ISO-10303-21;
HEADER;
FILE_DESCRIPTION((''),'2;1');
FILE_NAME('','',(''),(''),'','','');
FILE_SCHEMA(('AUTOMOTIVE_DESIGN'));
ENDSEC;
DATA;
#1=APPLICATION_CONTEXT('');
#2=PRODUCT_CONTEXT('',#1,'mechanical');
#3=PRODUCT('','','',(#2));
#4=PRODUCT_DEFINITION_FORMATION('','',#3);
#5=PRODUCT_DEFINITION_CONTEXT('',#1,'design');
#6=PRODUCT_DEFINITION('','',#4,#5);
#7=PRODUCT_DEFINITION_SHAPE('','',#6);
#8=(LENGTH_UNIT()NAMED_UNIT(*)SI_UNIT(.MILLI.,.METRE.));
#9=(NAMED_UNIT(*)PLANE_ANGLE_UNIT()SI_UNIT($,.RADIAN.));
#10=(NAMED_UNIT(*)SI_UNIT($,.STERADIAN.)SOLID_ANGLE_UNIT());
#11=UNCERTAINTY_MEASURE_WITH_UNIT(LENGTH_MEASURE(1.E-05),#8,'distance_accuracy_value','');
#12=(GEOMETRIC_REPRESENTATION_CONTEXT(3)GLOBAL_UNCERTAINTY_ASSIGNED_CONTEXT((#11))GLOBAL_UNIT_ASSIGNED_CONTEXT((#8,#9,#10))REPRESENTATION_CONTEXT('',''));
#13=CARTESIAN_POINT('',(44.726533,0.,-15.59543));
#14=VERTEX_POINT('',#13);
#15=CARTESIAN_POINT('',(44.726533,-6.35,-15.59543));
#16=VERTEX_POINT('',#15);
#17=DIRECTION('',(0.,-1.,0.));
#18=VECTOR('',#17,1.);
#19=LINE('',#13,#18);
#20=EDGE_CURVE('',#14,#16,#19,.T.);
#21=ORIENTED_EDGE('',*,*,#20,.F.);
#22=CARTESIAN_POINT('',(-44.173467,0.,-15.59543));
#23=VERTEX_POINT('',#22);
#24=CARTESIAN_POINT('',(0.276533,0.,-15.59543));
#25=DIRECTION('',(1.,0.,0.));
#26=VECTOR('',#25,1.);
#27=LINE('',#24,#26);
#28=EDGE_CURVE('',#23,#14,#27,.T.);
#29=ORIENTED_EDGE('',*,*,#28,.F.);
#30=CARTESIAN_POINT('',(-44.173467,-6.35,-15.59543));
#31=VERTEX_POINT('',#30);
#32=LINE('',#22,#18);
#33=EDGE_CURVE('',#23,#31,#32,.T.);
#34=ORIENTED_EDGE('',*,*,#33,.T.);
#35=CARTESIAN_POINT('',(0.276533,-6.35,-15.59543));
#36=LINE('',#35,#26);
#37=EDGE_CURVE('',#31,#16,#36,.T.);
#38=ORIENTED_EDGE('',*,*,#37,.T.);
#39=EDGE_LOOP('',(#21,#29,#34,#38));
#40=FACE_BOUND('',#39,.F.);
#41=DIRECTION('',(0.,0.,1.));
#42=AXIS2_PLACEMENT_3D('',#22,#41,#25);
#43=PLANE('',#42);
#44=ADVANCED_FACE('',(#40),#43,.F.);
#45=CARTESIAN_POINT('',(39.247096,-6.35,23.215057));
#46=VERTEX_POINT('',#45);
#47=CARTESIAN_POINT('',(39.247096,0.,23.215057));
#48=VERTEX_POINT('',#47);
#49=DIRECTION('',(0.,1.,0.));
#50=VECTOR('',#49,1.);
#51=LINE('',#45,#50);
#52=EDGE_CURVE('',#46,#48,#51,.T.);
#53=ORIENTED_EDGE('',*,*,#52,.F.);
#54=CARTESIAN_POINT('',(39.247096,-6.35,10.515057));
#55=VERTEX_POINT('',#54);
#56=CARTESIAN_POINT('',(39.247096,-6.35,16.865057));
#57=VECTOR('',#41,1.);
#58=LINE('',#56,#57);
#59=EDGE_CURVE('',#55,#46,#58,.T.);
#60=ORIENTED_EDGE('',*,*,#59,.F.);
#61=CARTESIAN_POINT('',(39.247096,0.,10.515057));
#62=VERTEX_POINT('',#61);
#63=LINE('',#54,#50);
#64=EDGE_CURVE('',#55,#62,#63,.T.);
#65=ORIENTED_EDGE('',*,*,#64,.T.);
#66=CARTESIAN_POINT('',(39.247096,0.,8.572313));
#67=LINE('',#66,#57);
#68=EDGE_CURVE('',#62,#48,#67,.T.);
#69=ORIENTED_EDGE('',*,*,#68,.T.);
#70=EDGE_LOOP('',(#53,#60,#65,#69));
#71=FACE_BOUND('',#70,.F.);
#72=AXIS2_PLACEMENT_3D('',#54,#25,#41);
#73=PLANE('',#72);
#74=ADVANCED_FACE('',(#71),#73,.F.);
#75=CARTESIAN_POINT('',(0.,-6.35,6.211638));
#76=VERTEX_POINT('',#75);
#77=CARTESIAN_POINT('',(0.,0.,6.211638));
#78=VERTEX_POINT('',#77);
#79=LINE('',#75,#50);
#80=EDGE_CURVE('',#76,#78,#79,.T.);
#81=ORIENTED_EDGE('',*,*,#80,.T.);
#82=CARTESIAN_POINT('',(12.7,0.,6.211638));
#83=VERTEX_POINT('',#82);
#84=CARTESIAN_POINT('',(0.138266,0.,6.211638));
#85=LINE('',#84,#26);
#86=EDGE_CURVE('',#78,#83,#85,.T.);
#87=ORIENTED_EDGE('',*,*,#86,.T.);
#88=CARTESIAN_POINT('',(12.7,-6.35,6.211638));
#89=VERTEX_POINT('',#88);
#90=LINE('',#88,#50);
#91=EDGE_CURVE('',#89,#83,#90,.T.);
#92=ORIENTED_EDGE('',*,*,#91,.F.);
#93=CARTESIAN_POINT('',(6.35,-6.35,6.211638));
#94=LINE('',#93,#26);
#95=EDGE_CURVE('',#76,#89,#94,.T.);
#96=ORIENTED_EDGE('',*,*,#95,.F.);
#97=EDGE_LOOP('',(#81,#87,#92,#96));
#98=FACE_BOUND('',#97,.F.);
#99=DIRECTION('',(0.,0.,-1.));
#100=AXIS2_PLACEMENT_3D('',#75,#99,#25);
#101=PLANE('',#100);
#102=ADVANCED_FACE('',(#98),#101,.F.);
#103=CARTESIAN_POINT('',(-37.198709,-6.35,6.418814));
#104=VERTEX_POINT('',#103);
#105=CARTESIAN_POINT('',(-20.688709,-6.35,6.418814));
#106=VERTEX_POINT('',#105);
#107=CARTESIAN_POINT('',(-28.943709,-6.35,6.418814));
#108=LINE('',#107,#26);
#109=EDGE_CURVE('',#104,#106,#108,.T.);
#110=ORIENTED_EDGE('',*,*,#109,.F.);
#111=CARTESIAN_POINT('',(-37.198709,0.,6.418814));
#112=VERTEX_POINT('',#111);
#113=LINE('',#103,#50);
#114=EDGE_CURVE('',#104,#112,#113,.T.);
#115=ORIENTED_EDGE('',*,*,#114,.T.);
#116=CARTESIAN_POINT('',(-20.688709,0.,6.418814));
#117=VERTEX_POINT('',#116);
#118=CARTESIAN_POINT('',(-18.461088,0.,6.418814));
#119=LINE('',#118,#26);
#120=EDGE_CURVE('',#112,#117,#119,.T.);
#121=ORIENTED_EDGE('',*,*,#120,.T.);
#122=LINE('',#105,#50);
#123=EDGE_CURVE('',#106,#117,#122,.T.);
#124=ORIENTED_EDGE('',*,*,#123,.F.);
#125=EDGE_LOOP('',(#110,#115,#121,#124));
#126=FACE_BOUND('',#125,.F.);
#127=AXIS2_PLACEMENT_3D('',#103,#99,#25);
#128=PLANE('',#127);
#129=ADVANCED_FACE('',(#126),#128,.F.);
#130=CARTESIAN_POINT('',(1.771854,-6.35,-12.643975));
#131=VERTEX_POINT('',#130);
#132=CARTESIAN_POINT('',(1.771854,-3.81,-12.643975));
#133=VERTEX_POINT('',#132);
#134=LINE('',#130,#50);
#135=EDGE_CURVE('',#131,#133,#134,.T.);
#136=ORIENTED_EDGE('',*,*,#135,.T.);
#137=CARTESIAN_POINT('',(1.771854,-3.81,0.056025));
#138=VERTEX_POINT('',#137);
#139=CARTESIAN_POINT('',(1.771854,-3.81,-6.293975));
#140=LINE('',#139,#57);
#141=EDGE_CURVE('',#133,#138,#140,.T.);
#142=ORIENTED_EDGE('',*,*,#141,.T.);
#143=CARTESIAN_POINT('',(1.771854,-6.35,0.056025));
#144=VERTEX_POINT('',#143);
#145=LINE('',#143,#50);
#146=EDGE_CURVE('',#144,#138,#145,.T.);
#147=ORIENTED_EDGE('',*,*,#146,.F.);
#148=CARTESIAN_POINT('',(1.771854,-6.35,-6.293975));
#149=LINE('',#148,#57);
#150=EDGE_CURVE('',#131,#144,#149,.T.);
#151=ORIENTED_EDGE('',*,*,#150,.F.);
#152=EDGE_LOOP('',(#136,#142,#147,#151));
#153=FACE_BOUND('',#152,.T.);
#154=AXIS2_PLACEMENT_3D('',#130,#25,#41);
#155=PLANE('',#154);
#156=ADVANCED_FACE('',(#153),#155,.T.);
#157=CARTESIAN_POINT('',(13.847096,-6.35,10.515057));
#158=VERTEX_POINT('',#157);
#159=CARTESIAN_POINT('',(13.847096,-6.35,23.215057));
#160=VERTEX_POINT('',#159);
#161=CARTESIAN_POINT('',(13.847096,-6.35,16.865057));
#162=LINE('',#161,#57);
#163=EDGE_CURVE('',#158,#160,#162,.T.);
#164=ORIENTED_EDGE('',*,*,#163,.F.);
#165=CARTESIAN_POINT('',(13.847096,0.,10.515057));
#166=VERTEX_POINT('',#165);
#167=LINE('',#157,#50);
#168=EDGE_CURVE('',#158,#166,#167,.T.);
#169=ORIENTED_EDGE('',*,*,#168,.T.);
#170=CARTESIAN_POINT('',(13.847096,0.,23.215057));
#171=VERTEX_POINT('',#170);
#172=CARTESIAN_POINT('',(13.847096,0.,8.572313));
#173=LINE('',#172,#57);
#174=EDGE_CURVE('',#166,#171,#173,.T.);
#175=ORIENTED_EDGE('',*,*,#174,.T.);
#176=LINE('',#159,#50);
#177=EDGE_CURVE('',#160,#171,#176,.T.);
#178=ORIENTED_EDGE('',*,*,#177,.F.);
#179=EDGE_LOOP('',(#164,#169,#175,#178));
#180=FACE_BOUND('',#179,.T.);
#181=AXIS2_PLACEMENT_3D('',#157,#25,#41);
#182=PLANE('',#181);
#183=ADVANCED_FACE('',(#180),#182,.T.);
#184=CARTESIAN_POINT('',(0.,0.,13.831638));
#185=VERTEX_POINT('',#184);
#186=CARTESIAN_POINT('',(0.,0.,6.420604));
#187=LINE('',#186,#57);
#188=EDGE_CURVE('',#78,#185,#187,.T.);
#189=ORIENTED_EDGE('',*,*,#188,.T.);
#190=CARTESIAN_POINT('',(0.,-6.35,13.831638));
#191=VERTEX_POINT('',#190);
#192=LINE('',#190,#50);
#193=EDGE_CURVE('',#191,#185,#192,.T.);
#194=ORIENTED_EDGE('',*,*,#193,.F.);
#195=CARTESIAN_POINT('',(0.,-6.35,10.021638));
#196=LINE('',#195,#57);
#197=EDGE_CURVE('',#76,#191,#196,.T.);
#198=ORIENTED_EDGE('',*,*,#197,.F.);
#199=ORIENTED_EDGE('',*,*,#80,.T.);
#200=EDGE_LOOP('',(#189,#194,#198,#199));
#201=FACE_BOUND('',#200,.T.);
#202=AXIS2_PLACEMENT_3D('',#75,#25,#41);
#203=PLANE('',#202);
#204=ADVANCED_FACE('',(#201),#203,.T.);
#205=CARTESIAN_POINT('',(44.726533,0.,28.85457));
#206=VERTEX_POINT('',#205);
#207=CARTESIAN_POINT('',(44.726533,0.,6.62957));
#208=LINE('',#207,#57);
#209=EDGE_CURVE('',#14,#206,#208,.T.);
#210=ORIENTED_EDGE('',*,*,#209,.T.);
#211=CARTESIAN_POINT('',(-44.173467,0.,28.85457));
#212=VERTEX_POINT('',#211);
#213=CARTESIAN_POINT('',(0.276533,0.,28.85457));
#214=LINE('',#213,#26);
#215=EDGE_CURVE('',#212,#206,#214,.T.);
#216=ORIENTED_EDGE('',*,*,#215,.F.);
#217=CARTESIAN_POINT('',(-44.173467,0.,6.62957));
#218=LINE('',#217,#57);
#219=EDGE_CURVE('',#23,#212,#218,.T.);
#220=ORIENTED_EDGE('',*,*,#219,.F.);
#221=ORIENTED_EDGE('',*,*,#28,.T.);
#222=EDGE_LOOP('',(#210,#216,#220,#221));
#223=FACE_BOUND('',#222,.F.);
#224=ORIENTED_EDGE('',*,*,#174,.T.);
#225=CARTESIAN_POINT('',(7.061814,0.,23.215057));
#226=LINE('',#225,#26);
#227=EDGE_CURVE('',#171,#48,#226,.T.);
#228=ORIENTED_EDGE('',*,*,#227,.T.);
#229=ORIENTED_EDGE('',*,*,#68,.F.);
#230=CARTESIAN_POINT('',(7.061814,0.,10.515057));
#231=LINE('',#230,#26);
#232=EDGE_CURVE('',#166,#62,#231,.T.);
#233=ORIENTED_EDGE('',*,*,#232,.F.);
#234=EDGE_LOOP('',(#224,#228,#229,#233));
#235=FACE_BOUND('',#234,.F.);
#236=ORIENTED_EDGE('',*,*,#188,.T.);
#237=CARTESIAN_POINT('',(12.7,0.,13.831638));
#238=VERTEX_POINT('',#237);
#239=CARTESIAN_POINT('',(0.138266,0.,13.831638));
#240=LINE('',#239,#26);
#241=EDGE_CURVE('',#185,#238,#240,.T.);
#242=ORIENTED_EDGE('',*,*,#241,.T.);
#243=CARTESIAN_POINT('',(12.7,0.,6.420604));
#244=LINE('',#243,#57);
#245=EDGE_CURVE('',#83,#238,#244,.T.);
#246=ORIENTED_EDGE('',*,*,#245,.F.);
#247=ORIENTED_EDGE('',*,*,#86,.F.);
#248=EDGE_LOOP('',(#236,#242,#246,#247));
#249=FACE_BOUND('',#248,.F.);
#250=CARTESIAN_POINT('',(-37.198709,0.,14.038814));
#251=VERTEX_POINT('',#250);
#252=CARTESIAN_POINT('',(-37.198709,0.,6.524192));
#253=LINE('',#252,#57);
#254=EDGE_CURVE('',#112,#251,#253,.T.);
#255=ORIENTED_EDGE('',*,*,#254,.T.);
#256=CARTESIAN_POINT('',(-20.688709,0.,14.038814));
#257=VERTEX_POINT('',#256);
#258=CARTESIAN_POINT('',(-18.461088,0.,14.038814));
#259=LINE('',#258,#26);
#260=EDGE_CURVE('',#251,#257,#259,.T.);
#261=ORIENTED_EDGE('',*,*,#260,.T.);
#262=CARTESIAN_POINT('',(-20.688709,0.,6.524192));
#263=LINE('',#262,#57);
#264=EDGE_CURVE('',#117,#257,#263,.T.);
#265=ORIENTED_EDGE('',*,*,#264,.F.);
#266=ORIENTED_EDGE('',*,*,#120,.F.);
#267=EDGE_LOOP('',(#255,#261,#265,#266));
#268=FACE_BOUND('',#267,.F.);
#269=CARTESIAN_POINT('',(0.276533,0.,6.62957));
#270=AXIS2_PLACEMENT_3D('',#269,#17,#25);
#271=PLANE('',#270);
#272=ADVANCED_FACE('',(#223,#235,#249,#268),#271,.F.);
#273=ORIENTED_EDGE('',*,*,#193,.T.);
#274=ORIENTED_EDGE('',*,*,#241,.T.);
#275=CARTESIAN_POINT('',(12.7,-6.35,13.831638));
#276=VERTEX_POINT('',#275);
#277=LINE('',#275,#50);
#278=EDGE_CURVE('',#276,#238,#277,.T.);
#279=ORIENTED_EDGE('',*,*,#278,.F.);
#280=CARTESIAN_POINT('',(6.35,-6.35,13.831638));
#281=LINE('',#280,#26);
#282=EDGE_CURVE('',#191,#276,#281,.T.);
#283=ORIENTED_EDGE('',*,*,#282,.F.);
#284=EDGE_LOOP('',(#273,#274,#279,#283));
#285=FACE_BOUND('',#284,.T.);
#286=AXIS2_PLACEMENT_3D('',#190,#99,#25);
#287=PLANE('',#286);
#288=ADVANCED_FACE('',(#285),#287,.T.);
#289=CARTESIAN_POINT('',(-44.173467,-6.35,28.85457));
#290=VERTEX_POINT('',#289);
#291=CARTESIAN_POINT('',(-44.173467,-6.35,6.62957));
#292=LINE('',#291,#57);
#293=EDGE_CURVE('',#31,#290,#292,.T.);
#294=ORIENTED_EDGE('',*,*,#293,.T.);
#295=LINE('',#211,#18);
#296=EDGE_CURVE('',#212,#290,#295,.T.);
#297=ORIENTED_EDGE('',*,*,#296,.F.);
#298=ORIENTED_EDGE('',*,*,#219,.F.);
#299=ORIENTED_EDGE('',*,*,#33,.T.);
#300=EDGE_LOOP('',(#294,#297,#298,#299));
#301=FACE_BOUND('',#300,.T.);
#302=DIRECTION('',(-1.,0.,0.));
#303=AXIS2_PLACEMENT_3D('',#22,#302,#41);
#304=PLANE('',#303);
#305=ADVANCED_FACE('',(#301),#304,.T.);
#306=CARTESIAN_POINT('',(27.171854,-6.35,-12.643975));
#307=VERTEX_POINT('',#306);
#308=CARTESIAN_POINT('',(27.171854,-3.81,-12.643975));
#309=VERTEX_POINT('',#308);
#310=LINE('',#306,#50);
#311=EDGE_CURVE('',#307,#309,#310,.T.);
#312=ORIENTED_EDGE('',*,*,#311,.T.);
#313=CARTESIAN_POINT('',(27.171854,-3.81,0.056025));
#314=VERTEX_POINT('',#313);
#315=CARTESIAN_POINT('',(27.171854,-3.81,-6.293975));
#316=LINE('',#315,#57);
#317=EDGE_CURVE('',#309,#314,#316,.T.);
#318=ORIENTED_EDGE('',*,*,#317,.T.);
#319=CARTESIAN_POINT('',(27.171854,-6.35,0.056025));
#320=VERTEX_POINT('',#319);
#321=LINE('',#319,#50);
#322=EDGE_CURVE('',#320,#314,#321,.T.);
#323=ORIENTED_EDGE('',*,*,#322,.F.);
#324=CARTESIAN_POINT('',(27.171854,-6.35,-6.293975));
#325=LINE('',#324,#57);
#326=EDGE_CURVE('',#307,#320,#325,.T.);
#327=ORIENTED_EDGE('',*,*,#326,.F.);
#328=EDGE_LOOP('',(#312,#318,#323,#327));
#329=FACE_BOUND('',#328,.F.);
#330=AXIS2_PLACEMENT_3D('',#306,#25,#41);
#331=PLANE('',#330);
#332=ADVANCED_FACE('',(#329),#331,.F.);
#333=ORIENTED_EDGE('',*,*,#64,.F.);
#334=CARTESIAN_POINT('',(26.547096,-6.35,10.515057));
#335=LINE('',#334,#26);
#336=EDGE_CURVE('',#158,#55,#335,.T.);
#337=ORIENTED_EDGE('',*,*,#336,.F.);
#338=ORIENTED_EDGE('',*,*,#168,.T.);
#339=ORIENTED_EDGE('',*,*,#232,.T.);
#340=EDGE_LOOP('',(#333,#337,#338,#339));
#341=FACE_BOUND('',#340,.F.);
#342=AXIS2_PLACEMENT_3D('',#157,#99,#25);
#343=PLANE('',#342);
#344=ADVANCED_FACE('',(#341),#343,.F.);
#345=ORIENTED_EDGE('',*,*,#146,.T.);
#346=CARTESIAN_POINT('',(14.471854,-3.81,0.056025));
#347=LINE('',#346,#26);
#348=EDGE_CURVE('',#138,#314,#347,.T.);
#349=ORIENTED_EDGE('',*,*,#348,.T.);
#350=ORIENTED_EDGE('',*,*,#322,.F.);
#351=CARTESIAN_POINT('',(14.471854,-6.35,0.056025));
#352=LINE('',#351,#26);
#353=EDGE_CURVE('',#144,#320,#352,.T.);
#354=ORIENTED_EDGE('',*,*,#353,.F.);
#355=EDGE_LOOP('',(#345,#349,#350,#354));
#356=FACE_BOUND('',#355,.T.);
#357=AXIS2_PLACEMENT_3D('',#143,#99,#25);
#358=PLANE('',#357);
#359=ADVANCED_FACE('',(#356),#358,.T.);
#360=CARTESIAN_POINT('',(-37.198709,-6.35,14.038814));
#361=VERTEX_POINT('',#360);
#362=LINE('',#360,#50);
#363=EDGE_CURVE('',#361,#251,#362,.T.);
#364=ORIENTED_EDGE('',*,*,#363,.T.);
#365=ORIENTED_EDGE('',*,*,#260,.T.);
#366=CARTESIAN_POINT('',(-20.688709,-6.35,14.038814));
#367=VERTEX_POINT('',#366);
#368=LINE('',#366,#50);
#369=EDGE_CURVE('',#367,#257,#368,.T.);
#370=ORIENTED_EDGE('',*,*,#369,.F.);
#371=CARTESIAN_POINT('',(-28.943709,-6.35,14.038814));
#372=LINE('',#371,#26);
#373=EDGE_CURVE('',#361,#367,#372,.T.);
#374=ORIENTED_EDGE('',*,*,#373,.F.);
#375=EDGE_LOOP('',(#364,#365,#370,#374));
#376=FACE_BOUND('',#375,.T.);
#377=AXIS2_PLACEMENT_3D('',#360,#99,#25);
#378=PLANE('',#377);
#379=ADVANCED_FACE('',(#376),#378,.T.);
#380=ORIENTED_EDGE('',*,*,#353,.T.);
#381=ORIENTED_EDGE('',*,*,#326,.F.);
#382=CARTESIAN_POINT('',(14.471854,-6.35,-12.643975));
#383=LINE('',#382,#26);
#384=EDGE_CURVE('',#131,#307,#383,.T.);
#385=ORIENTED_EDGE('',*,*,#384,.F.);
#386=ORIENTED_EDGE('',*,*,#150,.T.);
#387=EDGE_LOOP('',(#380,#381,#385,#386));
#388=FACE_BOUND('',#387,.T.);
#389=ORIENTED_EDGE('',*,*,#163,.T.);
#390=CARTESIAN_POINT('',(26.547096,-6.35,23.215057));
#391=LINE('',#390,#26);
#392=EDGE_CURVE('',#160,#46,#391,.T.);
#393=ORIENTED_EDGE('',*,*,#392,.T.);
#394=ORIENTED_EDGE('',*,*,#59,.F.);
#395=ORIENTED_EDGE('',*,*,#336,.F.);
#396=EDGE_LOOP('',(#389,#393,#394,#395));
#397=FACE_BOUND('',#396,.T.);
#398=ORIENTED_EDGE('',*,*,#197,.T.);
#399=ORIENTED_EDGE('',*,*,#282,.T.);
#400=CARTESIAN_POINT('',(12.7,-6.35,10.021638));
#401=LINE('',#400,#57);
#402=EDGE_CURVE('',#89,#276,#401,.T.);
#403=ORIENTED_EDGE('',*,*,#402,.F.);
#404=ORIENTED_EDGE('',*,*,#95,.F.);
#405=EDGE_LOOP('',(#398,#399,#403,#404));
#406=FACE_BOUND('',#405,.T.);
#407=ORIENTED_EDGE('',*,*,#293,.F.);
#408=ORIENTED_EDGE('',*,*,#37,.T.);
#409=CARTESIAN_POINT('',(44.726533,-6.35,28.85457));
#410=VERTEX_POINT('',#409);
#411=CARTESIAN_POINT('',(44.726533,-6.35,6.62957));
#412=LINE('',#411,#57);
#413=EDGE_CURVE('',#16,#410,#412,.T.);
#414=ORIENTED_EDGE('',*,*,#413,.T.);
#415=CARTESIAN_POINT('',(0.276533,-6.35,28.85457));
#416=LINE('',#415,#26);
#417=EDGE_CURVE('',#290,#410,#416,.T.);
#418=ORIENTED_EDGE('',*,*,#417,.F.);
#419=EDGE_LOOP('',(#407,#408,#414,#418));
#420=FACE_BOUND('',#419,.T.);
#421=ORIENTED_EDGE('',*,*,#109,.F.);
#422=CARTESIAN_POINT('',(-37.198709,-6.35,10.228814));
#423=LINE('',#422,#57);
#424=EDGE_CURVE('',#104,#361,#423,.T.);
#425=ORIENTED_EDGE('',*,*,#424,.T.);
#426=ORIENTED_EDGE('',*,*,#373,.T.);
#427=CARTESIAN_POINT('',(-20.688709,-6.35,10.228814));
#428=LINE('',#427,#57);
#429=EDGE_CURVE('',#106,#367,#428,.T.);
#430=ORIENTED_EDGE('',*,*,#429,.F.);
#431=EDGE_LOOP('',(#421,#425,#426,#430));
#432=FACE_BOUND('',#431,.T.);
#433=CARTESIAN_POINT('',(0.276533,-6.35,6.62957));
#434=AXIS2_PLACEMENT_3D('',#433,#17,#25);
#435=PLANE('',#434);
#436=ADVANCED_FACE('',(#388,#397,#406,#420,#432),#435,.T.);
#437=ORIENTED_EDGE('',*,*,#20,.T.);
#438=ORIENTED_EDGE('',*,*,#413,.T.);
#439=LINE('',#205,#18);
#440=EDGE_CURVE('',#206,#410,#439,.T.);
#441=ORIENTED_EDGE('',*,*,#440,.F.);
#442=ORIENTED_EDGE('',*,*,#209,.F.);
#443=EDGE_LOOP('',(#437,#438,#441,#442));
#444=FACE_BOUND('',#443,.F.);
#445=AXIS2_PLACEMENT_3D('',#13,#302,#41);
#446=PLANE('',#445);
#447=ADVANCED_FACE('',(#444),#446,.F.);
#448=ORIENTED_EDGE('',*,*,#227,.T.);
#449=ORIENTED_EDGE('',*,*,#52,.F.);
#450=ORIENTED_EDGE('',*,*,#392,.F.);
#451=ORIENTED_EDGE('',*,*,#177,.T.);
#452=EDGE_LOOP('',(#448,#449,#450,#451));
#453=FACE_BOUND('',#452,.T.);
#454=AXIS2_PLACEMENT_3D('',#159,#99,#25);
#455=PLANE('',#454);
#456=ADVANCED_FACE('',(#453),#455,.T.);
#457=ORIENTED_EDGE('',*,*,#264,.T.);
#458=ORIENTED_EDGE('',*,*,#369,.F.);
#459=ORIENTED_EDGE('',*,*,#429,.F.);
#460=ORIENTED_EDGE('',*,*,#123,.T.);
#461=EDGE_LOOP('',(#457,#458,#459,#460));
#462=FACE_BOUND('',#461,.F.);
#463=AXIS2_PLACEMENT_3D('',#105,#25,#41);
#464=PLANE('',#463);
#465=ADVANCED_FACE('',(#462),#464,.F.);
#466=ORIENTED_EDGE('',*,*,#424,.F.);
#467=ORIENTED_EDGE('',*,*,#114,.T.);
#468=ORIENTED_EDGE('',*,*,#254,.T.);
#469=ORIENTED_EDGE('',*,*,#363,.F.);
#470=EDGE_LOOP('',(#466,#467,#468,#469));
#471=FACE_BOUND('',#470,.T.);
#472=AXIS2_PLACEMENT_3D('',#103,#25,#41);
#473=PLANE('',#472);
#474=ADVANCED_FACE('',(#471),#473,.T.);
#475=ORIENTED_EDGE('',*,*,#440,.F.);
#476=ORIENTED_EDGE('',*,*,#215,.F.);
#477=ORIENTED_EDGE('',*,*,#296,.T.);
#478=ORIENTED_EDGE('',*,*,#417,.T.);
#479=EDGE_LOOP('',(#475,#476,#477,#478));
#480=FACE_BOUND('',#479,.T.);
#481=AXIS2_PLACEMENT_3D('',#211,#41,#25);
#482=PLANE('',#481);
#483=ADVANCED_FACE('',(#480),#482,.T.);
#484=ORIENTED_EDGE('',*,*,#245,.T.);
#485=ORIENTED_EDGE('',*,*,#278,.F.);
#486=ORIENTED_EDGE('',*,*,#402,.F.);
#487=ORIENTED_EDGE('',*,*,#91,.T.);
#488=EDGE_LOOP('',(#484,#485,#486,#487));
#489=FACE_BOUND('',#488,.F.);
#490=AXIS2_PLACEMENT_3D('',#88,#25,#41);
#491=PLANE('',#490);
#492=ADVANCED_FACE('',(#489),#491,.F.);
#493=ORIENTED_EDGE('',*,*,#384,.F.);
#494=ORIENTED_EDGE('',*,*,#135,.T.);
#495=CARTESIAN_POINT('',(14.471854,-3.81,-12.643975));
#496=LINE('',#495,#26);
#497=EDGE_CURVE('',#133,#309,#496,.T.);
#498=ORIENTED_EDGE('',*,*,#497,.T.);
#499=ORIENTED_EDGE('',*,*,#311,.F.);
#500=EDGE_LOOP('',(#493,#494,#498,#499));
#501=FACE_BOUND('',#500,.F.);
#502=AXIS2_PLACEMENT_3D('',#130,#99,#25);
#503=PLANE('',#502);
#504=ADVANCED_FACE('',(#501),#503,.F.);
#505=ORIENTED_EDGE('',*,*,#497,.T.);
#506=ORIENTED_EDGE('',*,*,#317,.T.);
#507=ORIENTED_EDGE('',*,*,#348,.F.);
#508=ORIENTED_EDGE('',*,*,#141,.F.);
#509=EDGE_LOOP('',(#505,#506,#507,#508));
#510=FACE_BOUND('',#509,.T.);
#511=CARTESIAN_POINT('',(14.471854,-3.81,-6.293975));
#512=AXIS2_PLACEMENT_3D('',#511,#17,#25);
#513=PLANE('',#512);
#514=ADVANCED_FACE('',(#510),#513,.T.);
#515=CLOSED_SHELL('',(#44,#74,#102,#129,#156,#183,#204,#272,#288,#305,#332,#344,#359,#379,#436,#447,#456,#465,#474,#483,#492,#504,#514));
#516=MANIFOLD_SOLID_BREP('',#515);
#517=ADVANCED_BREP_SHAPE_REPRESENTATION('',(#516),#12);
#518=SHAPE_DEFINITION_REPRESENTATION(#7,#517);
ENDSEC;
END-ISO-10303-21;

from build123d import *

# Parameters (mm, degrees)
F0_W     = 88.9
F0_H     = 44.45
F1_DEPTH = 6.35
F2_W     = 25.4
F2_H     = 12.7
F3_DEPTH = 6.351
F4_W     = 12.7
F4_H     = 7.62
F5_DEPTH = 6.351
F6_W     = 25.4
F6_H     = 12.7
F7_DEPTH = 2.54
F8_W     = 16.51
F8_H     = 7.62
F9_DEPTH = 6.351


with BuildPart() as f1:
    # F0 (on Front) → F1 (new body)
    with BuildSketch(Plane.XZ):
        with Locations((0.276533, 6.62957)):
            Rectangle(F0_W, F0_H)
    extrude(amount=F1_DEPTH)

    # F2 (on face) → F3 (cut, through all)
    with BuildSketch(Plane.XZ.offset(6.35)):
        with Locations((26.547096, 16.865057)):
            Rectangle(F2_W, F2_H)
    extrude(amount=-F3_DEPTH, mode=Mode.SUBTRACT)

    # F4 (on face) → F5 (cut, through all)
    with BuildSketch(Plane.XZ.offset(6.35)):
        with Locations((6.35, 10.021638)):
            Rectangle(F4_W, F4_H)
    extrude(amount=-F5_DEPTH, mode=Mode.SUBTRACT)

    # F6 (on face) → F7 (cut)
    with BuildSketch(Plane.XZ.offset(6.35)):
        with Locations((14.471854, -6.293975)):
            Rectangle(F6_W, F6_H)
    extrude(amount=-F7_DEPTH, mode=Mode.SUBTRACT)

    # F8 (on face) → F9 (cut, through all)
    with BuildSketch(Plane.XZ.offset(6.35)):
        with Locations((-28.943709, 10.228814)):
            Rectangle(F8_W, F8_H)
    extrude(amount=-F9_DEPTH, mode=Mode.SUBTRACT)


solid = f1.part
